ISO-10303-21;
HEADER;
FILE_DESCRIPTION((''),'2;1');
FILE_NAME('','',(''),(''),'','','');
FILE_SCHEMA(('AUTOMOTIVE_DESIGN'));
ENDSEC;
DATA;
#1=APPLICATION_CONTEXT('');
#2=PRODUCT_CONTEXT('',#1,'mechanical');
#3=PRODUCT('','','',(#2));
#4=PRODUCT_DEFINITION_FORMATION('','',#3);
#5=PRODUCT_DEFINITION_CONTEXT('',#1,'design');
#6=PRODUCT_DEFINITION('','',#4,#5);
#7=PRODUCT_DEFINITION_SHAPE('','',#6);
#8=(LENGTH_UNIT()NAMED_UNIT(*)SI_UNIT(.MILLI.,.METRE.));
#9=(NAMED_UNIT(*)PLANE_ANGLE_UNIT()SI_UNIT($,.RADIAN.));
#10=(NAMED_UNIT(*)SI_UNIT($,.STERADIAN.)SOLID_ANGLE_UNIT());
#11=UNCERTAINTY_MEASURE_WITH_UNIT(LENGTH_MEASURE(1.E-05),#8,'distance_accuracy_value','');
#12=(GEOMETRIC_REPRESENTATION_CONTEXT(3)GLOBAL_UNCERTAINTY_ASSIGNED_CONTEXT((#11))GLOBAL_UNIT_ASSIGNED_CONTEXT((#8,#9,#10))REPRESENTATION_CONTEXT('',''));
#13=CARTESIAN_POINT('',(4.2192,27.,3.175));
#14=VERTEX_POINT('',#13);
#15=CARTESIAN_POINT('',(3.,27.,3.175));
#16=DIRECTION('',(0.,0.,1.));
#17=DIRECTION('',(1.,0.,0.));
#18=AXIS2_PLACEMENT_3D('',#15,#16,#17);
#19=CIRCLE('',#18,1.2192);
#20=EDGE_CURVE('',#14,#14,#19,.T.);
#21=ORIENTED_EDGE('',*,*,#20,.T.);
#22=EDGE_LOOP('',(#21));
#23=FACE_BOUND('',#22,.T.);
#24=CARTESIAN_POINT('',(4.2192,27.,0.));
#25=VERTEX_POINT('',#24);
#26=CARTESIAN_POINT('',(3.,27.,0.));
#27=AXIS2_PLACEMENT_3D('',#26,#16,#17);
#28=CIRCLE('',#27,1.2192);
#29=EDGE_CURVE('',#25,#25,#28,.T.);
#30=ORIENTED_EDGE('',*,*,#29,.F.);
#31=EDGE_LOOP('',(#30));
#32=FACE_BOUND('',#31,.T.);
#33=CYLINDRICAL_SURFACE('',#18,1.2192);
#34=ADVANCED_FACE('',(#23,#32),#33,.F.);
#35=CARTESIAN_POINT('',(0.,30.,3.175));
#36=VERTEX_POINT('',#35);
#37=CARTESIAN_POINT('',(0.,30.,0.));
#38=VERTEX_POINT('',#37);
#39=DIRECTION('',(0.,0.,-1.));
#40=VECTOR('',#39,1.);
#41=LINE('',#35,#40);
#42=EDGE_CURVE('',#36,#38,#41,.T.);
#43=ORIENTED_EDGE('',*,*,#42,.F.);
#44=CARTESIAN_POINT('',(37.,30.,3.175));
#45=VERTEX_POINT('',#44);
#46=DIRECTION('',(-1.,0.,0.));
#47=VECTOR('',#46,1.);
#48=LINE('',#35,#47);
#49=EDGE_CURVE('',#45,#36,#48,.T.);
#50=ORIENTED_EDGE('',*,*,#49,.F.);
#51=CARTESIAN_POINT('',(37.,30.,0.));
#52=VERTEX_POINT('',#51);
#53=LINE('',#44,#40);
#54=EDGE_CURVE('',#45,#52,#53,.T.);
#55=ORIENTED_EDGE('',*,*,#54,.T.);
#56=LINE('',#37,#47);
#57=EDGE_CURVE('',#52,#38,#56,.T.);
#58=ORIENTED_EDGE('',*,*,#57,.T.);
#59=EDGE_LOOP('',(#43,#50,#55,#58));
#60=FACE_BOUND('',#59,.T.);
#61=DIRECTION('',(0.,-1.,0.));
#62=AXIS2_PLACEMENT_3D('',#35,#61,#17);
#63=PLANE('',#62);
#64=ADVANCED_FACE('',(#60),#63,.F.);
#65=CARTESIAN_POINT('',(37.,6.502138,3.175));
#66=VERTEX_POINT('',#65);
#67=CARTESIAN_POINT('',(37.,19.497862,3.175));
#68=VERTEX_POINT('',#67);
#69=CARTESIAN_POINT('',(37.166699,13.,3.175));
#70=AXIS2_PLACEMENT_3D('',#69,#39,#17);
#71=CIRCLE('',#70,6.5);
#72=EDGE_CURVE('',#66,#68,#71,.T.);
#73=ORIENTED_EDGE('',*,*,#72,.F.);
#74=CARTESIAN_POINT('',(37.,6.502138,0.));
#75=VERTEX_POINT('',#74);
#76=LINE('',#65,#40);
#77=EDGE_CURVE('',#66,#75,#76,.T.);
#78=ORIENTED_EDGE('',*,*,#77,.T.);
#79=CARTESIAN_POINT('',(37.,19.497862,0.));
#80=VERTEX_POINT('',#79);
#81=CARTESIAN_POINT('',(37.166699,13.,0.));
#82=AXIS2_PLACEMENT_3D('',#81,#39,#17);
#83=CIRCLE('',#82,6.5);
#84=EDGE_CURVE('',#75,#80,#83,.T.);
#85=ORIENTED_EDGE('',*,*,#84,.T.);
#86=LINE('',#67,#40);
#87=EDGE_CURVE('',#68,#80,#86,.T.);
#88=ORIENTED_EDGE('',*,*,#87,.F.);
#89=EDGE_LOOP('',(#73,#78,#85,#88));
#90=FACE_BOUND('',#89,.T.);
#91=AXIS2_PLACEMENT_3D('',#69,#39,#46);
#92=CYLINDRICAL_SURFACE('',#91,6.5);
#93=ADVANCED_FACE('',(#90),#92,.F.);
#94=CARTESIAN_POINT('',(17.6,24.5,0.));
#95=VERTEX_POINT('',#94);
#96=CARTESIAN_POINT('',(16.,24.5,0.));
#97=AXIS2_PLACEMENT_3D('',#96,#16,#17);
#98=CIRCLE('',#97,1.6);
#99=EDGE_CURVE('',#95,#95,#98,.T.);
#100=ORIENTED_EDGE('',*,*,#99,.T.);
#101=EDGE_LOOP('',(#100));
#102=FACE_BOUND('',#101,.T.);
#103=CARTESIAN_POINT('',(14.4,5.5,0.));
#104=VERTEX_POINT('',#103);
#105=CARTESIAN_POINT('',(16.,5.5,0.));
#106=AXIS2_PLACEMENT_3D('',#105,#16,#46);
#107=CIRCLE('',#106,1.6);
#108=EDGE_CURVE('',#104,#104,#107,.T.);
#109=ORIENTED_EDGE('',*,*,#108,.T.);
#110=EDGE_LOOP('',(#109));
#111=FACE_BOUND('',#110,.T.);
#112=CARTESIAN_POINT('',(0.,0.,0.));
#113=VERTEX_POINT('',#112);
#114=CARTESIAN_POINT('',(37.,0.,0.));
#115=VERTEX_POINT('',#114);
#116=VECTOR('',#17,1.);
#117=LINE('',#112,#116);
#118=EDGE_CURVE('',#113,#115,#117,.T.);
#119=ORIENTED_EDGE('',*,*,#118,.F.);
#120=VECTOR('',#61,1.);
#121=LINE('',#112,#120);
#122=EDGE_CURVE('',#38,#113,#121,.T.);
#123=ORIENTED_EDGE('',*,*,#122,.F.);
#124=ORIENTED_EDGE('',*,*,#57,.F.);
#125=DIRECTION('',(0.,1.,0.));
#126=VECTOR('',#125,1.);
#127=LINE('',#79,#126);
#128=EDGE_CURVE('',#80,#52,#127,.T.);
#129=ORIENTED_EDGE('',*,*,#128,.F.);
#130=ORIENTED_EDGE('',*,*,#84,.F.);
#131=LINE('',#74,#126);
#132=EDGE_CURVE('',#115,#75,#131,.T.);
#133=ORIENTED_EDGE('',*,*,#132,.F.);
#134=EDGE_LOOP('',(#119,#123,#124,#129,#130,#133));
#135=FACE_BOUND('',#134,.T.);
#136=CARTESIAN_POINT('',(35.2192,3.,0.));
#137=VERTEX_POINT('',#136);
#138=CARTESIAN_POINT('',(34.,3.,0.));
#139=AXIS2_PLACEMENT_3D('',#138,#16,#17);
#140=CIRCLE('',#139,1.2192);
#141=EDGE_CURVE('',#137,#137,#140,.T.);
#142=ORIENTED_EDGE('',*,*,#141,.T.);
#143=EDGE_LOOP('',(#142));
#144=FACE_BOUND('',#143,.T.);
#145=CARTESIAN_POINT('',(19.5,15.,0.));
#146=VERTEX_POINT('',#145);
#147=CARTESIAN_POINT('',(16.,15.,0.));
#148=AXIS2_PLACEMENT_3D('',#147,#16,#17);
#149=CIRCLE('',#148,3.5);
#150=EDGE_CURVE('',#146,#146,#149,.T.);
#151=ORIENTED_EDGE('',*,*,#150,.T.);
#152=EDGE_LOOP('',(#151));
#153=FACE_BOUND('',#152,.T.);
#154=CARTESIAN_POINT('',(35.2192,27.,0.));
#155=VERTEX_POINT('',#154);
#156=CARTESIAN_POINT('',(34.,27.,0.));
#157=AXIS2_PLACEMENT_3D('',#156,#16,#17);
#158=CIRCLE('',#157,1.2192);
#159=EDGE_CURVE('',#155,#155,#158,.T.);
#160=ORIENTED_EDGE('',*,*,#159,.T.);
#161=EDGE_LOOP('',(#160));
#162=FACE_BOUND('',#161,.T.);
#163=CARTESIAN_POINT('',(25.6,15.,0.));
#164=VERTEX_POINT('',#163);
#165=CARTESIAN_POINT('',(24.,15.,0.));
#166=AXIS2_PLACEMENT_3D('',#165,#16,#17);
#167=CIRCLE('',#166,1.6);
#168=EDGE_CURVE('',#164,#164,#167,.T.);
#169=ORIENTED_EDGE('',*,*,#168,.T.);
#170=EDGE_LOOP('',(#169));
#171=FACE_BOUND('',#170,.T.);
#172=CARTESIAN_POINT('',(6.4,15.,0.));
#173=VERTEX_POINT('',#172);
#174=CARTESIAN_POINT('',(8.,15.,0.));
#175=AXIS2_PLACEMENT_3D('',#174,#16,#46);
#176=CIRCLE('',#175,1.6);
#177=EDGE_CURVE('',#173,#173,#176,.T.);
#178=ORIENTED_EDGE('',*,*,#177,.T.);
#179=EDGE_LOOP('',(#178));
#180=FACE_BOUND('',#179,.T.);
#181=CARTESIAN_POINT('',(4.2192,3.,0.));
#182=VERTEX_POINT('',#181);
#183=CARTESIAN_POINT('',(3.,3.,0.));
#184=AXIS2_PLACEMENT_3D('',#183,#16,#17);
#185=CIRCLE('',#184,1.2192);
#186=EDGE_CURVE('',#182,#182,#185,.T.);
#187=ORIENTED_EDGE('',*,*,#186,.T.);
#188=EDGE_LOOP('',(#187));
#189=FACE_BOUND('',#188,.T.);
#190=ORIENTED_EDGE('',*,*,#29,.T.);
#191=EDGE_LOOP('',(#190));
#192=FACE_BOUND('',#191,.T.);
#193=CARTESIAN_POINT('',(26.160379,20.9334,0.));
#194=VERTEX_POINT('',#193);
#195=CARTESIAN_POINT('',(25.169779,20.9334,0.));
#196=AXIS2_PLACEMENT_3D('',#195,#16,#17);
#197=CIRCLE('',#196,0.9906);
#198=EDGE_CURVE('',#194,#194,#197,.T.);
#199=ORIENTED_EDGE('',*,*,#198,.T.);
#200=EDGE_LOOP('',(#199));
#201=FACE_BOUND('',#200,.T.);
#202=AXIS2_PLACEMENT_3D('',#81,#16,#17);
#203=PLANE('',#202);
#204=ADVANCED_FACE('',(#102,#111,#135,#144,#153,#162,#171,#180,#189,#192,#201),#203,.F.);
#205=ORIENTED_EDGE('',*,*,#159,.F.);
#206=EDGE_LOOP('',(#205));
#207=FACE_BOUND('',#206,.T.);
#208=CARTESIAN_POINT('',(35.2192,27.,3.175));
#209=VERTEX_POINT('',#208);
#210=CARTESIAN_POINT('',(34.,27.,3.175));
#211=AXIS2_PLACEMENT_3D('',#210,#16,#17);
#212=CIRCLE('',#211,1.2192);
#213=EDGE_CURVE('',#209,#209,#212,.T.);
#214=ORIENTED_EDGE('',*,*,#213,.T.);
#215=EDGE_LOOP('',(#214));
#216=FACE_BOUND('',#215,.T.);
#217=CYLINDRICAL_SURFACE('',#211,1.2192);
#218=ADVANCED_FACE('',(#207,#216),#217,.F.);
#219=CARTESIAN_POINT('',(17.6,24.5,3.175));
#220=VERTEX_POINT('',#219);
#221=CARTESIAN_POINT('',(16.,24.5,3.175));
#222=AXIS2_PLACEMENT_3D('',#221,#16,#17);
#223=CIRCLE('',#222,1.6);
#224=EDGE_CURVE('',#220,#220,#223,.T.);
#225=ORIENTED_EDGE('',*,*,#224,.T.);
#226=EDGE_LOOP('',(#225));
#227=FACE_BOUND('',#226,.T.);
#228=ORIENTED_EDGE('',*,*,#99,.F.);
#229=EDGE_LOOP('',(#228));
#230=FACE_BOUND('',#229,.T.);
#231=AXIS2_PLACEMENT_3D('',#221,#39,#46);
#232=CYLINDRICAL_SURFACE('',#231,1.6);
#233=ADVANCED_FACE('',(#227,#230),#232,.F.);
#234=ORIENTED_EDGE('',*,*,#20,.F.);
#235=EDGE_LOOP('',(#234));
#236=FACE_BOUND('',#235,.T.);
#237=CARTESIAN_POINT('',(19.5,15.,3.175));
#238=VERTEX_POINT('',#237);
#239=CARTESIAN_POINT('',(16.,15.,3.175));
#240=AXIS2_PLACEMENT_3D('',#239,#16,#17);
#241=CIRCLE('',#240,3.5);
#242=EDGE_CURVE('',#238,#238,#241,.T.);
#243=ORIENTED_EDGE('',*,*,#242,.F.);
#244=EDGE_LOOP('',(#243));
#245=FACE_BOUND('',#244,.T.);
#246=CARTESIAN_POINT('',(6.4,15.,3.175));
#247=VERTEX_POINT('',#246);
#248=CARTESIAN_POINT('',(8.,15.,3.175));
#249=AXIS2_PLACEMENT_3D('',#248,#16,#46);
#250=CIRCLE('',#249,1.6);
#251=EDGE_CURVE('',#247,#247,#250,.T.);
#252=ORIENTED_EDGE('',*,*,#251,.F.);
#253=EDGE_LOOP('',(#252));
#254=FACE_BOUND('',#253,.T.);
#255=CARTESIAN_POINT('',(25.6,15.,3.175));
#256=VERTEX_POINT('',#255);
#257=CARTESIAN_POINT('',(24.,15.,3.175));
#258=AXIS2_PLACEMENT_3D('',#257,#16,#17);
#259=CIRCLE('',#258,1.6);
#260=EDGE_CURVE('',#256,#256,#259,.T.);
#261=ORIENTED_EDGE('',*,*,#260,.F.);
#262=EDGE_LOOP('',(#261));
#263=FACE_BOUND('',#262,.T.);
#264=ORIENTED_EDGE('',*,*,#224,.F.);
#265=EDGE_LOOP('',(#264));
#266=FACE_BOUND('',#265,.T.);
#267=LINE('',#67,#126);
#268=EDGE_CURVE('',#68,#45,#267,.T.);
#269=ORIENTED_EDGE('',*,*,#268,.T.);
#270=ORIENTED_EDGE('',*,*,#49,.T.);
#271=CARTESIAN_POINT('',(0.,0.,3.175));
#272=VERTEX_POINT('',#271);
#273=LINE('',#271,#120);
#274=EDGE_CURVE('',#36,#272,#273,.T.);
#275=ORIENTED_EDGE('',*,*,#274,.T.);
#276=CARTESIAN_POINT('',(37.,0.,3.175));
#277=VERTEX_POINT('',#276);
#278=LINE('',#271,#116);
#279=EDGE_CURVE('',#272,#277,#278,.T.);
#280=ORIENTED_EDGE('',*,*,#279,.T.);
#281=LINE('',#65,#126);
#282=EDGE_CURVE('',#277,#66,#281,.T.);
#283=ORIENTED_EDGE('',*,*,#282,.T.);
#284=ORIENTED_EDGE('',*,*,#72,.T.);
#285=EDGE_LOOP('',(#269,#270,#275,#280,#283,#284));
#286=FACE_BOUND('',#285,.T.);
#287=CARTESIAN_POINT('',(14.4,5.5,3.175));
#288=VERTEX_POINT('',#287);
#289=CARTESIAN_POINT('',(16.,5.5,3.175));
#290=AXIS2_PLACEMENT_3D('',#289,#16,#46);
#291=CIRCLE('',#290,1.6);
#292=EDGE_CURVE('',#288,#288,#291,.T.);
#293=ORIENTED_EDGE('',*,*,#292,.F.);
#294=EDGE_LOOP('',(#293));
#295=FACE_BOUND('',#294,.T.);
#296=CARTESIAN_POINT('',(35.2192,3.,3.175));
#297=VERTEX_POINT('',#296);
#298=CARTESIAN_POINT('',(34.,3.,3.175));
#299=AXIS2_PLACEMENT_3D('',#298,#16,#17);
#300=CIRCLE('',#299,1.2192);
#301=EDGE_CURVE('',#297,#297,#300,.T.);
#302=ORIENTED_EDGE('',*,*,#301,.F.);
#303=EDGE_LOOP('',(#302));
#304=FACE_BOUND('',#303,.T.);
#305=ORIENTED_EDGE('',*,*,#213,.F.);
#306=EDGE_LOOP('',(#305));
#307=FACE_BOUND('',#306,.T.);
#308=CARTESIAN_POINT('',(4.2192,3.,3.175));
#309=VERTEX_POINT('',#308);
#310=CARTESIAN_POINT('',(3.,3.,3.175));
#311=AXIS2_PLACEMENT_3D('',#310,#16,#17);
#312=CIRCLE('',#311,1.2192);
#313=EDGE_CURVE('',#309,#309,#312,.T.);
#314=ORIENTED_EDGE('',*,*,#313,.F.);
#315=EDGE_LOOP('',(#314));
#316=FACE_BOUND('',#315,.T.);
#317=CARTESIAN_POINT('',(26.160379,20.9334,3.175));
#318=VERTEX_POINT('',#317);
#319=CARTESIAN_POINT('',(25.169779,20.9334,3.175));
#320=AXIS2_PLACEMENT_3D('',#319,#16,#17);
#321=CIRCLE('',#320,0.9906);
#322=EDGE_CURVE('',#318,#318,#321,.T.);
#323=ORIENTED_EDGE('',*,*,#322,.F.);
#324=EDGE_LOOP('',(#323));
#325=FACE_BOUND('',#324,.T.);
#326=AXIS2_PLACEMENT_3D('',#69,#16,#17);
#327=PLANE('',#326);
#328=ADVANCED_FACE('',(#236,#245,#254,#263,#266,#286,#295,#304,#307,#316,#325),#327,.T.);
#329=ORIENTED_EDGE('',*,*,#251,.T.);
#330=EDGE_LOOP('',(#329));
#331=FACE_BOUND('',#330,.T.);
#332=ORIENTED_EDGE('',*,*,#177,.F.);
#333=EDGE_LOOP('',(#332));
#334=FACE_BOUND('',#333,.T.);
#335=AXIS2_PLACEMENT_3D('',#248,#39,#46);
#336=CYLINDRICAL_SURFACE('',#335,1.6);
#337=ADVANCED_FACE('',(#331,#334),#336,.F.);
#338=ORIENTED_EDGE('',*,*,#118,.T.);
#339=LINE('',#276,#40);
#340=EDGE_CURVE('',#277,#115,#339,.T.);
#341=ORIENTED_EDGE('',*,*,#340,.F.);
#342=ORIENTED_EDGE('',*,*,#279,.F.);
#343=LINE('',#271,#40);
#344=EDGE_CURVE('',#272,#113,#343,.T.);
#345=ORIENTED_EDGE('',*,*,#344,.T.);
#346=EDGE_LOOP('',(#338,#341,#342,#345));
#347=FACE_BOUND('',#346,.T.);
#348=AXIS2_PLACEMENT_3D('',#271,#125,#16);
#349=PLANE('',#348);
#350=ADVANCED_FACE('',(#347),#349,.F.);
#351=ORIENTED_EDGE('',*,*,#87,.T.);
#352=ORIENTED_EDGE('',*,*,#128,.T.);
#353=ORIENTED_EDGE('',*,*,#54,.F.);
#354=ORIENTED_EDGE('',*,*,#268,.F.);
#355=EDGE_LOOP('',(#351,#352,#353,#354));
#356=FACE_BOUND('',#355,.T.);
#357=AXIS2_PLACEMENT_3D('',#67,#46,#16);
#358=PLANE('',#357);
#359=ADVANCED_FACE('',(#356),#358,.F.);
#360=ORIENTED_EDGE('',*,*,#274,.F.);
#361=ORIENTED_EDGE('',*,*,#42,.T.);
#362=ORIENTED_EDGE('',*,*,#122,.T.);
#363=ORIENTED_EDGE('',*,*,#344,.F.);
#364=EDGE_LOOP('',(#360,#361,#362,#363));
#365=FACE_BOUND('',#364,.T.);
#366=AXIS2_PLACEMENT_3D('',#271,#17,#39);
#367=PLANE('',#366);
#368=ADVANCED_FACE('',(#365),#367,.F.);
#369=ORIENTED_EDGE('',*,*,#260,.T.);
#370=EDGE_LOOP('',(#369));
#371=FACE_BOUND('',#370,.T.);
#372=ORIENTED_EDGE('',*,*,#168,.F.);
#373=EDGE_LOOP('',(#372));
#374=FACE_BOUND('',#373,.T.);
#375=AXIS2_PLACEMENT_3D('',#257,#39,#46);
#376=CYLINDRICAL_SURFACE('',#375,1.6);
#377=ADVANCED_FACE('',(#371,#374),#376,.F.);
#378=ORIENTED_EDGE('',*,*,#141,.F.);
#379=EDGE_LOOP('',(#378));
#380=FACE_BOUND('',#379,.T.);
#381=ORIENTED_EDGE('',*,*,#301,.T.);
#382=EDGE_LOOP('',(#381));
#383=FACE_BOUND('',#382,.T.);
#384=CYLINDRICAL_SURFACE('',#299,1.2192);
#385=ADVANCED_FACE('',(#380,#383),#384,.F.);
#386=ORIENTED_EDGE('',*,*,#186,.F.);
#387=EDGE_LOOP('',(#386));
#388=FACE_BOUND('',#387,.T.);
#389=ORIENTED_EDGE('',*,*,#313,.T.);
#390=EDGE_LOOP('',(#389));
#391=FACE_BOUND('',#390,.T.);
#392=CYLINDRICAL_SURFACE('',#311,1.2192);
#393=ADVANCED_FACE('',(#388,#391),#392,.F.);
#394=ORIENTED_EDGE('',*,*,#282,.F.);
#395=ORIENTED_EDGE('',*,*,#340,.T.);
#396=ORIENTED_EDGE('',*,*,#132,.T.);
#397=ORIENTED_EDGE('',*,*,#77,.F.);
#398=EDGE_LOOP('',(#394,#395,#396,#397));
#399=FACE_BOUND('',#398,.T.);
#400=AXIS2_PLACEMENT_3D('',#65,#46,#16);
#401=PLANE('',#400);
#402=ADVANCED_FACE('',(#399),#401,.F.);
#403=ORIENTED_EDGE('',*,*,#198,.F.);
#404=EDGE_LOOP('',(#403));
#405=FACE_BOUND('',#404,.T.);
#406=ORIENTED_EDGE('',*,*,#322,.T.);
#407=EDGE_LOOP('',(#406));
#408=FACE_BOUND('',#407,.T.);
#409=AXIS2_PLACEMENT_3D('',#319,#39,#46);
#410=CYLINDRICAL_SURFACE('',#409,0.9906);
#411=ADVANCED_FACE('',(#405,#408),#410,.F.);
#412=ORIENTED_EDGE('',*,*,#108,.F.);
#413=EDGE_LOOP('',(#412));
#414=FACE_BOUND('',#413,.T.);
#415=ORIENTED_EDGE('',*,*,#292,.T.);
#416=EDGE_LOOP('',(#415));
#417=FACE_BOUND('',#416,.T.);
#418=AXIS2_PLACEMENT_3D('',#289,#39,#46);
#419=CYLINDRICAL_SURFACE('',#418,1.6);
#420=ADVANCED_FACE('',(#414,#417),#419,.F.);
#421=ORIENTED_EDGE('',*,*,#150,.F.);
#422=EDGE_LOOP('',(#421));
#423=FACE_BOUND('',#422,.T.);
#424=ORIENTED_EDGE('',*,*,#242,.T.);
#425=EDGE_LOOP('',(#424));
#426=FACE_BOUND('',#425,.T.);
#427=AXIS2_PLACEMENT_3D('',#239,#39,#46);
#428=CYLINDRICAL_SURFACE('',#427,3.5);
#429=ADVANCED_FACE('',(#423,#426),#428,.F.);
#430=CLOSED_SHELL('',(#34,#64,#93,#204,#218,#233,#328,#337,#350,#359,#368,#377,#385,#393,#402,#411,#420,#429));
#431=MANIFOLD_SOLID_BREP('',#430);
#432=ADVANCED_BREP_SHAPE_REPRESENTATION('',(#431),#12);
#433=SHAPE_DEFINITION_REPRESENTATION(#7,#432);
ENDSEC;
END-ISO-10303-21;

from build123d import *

# Parameters (mm, degrees)
SKETCH1_R                 = 0.9906
SKETCH1_R_2               = 1.6
SKETCH1_R_3               = 3.5
BOSS_EXTRUDE2_DEPTH       = 3.175
F_2_CLEARANCE_HOLE1_D     = 2.4384
F_2_CLEARANCE_HOLE1_DEPTH = 3.302
F_2_CLEARANCE_HOLE1_TIP   = 0.732569267


with BuildPart() as part:
    # Sketch1 → Boss-Extrude2 (new body)
    with BuildSketch(Plane.XY):
        with BuildLine():
            Line((0, 0), (37, 0))
            Line((37, 0), (37, 6.50213794))
            ThreePointArc((37, 6.50213794), (30.666699296, 13), (37, 19.49786206))
            Line((37, 19.49786206), (37, 30))
            Line((37, 30), (0, 30))
            Line((0, 30), (0, 0))
        make_face()
        with Locations((25.169778966, 20.933400182)):
            Circle(SKETCH1_R, mode=Mode.SUBTRACT)
        with Locations((16, 24.5)):
            Circle(SKETCH1_R_2, mode=Mode.SUBTRACT)
        with Locations((24, 15)):
            Circle(SKETCH1_R_2, mode=Mode.SUBTRACT)
        with Locations(Location((16, 5.5, 0), (0, 0, 180))):
            Circle(SKETCH1_R_2, mode=Mode.SUBTRACT)
        with Locations(Location((8, 15, 0), (0, 0, 180))):
            Circle(SKETCH1_R_2, mode=Mode.SUBTRACT)
        with Locations((16, 15)):
            Circle(SKETCH1_R_3, mode=Mode.SUBTRACT)
    extrude(amount=BOSS_EXTRUDE2_DEPTH)

    # #2 Clearance Hole1
    with Locations(Plane.XY.offset(3.175)):
        with Locations((3, 27), (3, 3), (34, 3), (34, 27)):
            Hole(F_2_CLEARANCE_HOLE1_D / 2, depth=F_2_CLEARANCE_HOLE1_DEPTH)
            with Locations((0, 0, -(F_2_CLEARANCE_HOLE1_DEPTH + F_2_CLEARANCE_HOLE1_TIP / 2))):  # 118° drill point
                Cone(0, F_2_CLEARANCE_HOLE1_D / 2, F_2_CLEARANCE_HOLE1_TIP, mode=Mode.SUBTRACT)


solid = part.part
